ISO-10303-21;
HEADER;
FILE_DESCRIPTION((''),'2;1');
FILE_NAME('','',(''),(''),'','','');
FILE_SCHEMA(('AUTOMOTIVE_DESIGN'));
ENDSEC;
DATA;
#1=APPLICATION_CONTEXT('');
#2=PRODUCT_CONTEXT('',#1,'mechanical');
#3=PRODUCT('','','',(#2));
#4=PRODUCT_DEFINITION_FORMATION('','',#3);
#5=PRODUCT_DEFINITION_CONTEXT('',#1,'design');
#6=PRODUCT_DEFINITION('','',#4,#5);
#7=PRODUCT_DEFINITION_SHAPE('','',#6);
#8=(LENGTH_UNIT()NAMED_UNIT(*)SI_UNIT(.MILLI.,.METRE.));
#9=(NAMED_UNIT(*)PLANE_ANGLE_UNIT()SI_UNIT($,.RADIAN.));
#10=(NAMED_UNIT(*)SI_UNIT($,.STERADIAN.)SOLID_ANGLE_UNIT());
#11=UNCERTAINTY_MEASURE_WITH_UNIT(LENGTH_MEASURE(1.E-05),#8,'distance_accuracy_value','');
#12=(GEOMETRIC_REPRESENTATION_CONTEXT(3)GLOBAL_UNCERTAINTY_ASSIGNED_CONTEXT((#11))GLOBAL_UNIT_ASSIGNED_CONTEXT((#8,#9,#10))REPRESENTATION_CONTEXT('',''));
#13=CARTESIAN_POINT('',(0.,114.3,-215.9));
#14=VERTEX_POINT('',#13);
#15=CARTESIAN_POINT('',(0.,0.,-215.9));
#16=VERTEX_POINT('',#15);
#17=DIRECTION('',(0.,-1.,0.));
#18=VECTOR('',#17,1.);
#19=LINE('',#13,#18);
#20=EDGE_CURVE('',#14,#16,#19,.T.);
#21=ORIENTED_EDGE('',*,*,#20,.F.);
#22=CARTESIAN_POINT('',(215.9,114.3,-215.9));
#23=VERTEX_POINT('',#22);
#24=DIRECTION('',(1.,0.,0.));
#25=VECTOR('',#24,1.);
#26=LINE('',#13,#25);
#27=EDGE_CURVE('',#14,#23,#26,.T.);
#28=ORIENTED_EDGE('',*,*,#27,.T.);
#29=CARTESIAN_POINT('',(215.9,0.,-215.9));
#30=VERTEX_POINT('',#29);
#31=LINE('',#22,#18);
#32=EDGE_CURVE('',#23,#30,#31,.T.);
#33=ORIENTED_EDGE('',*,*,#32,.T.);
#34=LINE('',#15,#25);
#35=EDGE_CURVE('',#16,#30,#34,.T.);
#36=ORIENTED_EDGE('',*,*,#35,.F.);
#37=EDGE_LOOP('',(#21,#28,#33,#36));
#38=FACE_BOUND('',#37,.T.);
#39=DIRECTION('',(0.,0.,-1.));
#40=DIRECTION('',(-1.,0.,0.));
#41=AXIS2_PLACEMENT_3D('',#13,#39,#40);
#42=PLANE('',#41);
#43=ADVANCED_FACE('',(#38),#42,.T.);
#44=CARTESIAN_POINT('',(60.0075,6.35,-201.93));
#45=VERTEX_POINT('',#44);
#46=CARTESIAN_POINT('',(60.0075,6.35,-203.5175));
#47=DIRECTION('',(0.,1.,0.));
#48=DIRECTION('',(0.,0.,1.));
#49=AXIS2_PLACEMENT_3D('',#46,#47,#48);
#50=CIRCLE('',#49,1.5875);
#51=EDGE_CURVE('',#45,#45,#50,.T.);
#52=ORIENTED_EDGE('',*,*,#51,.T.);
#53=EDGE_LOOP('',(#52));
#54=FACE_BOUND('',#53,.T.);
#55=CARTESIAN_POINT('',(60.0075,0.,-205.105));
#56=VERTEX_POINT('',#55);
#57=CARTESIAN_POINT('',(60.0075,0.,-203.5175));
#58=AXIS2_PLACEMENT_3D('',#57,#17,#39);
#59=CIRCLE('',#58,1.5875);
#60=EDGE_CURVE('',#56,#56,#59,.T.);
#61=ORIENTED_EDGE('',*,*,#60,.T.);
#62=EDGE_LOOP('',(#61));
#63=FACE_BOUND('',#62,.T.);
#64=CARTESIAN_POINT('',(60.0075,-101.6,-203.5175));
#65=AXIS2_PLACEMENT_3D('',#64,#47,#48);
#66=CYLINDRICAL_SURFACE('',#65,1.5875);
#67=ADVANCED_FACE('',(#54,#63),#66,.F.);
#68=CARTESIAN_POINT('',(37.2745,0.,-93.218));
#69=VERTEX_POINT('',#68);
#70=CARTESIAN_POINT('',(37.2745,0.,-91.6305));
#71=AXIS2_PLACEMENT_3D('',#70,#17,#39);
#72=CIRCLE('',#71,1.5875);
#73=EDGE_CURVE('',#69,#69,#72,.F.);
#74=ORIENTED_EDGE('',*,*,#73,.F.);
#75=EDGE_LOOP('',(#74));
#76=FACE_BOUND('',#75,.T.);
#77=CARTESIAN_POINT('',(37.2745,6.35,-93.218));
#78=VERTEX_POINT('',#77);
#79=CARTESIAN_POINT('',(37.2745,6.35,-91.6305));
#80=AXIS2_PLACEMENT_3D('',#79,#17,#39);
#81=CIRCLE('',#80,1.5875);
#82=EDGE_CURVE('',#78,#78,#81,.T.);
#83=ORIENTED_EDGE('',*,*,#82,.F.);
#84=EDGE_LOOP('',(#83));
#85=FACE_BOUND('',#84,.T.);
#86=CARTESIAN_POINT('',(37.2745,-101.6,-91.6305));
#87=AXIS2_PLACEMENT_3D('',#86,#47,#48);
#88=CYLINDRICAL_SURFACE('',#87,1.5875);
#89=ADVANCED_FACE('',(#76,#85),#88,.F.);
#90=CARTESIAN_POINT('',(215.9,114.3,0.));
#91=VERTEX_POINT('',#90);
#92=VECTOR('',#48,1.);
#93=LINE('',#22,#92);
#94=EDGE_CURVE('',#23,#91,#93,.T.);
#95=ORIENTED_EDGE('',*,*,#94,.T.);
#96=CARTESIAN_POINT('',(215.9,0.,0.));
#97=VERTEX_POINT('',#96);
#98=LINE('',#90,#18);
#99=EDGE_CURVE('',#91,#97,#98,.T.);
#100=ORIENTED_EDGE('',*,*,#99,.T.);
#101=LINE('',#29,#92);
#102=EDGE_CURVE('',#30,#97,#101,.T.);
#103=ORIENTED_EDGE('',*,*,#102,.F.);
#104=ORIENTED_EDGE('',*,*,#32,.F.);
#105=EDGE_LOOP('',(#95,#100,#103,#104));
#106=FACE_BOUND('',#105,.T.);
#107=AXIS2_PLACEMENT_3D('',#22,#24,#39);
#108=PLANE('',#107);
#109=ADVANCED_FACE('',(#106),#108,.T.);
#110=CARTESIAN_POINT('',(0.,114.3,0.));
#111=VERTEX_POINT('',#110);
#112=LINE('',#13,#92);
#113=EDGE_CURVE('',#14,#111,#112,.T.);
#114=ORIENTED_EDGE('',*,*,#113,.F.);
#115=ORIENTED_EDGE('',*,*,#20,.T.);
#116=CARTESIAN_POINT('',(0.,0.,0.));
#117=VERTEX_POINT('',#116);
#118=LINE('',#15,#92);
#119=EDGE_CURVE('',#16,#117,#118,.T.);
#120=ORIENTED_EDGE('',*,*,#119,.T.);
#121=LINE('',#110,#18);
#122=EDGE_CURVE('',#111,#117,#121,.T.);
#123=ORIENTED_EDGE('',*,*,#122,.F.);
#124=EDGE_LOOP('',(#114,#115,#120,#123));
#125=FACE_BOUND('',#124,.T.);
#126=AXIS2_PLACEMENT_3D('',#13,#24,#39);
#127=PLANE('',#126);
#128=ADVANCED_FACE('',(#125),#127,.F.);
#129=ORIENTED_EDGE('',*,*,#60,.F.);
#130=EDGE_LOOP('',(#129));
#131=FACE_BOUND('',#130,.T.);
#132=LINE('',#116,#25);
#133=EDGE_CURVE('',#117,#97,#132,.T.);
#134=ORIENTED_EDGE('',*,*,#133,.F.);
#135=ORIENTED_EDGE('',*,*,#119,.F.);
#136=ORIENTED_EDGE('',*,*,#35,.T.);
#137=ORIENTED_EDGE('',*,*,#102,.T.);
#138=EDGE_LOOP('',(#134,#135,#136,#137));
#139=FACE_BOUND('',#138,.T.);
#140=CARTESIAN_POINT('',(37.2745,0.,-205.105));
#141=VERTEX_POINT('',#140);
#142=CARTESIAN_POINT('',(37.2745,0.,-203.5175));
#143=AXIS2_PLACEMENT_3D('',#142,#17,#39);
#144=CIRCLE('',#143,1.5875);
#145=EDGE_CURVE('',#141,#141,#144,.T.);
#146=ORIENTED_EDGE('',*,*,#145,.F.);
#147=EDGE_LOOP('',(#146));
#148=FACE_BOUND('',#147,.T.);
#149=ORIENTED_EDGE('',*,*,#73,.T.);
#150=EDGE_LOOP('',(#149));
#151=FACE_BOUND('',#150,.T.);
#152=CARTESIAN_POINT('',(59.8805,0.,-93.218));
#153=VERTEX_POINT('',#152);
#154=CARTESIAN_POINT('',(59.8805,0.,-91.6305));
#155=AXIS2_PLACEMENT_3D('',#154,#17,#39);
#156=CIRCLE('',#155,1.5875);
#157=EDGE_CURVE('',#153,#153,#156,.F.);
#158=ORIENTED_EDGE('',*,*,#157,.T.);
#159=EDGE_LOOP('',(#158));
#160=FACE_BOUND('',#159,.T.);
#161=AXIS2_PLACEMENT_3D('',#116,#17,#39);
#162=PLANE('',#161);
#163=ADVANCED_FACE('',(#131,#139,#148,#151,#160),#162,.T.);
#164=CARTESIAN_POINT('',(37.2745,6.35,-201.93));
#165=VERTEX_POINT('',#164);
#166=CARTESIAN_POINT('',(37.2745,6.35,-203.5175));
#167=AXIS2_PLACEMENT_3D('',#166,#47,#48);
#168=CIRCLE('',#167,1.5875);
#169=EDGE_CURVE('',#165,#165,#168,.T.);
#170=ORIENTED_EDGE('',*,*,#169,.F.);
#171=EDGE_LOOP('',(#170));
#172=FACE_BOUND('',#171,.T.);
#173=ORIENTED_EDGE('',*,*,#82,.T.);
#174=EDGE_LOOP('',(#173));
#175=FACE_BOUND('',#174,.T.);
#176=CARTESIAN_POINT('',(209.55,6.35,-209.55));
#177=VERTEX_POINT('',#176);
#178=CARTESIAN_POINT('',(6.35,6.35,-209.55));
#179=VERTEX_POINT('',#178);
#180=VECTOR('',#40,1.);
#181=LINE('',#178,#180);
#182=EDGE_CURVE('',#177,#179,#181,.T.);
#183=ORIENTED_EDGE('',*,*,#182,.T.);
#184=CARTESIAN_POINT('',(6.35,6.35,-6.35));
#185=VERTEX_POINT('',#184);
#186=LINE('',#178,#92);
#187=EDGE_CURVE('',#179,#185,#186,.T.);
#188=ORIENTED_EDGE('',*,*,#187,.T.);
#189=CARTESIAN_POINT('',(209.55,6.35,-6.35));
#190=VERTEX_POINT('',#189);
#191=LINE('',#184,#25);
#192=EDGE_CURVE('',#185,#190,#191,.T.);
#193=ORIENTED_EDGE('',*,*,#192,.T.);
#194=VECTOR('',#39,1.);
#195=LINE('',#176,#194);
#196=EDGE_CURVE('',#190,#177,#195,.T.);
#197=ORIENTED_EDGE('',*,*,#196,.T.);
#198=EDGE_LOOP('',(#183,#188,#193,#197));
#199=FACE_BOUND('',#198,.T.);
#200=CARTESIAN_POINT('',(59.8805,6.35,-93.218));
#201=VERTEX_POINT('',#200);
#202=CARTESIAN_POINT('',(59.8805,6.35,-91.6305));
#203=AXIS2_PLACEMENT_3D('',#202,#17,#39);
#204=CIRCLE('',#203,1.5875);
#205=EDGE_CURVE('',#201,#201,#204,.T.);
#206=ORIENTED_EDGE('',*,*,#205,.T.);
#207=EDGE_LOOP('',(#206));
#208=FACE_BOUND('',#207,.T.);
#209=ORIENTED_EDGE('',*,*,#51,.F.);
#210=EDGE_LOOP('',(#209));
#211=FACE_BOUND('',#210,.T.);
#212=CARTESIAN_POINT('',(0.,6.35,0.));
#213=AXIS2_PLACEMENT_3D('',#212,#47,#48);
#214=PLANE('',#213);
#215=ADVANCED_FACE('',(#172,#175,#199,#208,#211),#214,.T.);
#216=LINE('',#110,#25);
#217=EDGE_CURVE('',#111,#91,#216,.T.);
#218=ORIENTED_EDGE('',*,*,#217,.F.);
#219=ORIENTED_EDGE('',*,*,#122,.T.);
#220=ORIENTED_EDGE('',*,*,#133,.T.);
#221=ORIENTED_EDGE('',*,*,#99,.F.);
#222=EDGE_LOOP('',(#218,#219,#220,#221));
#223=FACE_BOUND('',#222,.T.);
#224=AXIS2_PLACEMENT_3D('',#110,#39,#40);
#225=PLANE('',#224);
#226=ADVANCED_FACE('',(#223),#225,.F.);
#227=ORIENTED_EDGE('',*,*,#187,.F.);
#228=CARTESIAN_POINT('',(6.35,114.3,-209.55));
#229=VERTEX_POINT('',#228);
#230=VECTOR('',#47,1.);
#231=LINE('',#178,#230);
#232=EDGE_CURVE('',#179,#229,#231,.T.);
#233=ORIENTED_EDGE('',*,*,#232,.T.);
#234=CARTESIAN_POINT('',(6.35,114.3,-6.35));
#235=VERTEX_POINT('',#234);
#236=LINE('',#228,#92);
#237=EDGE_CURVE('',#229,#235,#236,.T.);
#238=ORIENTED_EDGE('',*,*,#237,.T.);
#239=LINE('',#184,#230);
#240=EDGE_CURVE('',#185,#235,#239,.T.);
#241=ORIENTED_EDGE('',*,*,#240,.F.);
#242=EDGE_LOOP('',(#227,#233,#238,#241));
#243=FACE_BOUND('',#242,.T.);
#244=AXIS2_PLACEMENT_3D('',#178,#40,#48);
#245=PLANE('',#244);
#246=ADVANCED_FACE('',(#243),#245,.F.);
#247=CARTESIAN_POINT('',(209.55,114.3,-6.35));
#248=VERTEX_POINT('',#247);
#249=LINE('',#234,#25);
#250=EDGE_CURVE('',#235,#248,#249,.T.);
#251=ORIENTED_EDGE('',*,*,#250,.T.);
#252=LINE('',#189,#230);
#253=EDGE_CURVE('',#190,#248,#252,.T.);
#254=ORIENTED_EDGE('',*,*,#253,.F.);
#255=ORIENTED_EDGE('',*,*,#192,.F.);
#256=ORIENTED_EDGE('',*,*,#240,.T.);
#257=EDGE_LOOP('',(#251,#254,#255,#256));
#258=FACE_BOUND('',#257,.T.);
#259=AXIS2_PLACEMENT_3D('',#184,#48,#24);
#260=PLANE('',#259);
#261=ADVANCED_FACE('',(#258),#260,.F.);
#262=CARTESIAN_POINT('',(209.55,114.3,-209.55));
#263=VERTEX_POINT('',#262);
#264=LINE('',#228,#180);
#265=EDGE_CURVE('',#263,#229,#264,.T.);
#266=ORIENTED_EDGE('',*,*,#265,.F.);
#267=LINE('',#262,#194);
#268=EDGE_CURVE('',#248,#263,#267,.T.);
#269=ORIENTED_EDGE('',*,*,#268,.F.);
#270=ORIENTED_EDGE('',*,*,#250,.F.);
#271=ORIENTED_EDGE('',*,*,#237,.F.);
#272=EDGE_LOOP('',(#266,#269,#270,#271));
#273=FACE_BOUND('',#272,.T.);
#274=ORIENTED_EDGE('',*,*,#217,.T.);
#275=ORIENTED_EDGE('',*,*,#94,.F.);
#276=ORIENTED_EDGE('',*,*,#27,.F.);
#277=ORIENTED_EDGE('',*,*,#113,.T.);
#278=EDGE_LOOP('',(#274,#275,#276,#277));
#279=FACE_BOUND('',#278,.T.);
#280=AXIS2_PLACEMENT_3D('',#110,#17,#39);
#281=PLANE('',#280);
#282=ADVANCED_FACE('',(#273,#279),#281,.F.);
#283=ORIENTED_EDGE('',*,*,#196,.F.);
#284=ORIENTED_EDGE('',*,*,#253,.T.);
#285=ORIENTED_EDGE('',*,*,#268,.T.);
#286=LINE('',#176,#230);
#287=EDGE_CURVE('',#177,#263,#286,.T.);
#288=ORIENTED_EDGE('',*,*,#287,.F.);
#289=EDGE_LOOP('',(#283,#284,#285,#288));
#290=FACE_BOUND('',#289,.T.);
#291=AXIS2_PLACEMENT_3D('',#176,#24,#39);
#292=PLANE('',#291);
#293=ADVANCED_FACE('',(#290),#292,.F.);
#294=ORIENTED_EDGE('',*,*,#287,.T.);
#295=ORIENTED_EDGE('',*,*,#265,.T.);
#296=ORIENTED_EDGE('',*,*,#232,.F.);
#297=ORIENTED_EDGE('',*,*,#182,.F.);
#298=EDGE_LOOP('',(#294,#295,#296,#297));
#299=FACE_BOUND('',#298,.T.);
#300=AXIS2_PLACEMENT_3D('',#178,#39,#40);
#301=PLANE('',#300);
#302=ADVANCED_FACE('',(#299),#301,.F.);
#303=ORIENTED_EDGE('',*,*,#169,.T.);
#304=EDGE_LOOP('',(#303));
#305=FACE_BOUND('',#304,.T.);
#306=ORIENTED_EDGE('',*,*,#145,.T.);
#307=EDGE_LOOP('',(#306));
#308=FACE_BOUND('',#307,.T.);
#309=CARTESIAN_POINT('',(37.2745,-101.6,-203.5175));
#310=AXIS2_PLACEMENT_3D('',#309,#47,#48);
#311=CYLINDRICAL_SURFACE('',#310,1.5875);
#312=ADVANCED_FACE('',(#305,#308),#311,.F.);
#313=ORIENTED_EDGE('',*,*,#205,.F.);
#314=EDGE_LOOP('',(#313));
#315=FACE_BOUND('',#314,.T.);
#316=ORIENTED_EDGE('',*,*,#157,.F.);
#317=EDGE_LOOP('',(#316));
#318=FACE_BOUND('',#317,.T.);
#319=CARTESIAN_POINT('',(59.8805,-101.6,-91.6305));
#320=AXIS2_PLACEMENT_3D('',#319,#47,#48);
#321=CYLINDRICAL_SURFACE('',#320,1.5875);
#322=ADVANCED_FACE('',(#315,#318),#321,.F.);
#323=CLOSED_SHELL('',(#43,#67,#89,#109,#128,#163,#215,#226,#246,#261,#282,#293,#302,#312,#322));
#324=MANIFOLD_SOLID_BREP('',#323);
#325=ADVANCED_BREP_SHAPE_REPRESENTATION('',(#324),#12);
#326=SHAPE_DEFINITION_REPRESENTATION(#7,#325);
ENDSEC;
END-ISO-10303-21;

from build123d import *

# Parameters (mm, degrees)
SKETCH1_W           = 215.9
SKETCH1_H           = 215.9
BOSS_EXTRUDE1_DEPTH = 114.3
SKETCH2_W           = 203.2
SKETCH2_H           = 203.2
CUT_EXTRUDE1_DEPTH  = 107.95
MOTOR_DRIVER_R      = 1.5875
CUT_EXTRUDE4_DEPTH  = 107.95


with BuildPart() as part:
    # Sketch1 → Boss-Extrude1 (new body)
    with BuildSketch(Plane(origin=(0, 0, 0), x_dir=(1, 0, 0), z_dir=(0, 1, 0))):
        with Locations((107.95, 107.95)):
            Rectangle(SKETCH1_W, SKETCH1_H)
    extrude(amount=BOSS_EXTRUDE1_DEPTH)

    # Sketch2 → Cut-Extrude1 (cut)
    with BuildSketch(Plane(origin=(0, 114.3, 0), x_dir=(1, 0, 0), z_dir=(0, 1, 0))):
        with Locations((107.95, 107.95)):
            Rectangle(SKETCH2_W, SKETCH2_H)
    extrude(amount=-CUT_EXTRUDE1_DEPTH, mode=Mode.SUBTRACT)

    # Motor Driver → Cut-Extrude4 (cut)
    with BuildSketch(Plane(origin=(0, 6.35, 0), x_dir=(1, 0, 0), z_dir=(0, 1, 0))):
        with Locations((37.2745, 203.5175)):
            Circle(MOTOR_DRIVER_R)
        with Locations((60.0075, 203.5175)):
            Circle(MOTOR_DRIVER_R)
        with Locations((59.8805, 91.6305)):
            Circle(MOTOR_DRIVER_R)
        with Locations((37.2745, 91.6305)):
            Circle(MOTOR_DRIVER_R)
    extrude(amount=-CUT_EXTRUDE4_DEPTH, mode=Mode.SUBTRACT)


solid = part.part
